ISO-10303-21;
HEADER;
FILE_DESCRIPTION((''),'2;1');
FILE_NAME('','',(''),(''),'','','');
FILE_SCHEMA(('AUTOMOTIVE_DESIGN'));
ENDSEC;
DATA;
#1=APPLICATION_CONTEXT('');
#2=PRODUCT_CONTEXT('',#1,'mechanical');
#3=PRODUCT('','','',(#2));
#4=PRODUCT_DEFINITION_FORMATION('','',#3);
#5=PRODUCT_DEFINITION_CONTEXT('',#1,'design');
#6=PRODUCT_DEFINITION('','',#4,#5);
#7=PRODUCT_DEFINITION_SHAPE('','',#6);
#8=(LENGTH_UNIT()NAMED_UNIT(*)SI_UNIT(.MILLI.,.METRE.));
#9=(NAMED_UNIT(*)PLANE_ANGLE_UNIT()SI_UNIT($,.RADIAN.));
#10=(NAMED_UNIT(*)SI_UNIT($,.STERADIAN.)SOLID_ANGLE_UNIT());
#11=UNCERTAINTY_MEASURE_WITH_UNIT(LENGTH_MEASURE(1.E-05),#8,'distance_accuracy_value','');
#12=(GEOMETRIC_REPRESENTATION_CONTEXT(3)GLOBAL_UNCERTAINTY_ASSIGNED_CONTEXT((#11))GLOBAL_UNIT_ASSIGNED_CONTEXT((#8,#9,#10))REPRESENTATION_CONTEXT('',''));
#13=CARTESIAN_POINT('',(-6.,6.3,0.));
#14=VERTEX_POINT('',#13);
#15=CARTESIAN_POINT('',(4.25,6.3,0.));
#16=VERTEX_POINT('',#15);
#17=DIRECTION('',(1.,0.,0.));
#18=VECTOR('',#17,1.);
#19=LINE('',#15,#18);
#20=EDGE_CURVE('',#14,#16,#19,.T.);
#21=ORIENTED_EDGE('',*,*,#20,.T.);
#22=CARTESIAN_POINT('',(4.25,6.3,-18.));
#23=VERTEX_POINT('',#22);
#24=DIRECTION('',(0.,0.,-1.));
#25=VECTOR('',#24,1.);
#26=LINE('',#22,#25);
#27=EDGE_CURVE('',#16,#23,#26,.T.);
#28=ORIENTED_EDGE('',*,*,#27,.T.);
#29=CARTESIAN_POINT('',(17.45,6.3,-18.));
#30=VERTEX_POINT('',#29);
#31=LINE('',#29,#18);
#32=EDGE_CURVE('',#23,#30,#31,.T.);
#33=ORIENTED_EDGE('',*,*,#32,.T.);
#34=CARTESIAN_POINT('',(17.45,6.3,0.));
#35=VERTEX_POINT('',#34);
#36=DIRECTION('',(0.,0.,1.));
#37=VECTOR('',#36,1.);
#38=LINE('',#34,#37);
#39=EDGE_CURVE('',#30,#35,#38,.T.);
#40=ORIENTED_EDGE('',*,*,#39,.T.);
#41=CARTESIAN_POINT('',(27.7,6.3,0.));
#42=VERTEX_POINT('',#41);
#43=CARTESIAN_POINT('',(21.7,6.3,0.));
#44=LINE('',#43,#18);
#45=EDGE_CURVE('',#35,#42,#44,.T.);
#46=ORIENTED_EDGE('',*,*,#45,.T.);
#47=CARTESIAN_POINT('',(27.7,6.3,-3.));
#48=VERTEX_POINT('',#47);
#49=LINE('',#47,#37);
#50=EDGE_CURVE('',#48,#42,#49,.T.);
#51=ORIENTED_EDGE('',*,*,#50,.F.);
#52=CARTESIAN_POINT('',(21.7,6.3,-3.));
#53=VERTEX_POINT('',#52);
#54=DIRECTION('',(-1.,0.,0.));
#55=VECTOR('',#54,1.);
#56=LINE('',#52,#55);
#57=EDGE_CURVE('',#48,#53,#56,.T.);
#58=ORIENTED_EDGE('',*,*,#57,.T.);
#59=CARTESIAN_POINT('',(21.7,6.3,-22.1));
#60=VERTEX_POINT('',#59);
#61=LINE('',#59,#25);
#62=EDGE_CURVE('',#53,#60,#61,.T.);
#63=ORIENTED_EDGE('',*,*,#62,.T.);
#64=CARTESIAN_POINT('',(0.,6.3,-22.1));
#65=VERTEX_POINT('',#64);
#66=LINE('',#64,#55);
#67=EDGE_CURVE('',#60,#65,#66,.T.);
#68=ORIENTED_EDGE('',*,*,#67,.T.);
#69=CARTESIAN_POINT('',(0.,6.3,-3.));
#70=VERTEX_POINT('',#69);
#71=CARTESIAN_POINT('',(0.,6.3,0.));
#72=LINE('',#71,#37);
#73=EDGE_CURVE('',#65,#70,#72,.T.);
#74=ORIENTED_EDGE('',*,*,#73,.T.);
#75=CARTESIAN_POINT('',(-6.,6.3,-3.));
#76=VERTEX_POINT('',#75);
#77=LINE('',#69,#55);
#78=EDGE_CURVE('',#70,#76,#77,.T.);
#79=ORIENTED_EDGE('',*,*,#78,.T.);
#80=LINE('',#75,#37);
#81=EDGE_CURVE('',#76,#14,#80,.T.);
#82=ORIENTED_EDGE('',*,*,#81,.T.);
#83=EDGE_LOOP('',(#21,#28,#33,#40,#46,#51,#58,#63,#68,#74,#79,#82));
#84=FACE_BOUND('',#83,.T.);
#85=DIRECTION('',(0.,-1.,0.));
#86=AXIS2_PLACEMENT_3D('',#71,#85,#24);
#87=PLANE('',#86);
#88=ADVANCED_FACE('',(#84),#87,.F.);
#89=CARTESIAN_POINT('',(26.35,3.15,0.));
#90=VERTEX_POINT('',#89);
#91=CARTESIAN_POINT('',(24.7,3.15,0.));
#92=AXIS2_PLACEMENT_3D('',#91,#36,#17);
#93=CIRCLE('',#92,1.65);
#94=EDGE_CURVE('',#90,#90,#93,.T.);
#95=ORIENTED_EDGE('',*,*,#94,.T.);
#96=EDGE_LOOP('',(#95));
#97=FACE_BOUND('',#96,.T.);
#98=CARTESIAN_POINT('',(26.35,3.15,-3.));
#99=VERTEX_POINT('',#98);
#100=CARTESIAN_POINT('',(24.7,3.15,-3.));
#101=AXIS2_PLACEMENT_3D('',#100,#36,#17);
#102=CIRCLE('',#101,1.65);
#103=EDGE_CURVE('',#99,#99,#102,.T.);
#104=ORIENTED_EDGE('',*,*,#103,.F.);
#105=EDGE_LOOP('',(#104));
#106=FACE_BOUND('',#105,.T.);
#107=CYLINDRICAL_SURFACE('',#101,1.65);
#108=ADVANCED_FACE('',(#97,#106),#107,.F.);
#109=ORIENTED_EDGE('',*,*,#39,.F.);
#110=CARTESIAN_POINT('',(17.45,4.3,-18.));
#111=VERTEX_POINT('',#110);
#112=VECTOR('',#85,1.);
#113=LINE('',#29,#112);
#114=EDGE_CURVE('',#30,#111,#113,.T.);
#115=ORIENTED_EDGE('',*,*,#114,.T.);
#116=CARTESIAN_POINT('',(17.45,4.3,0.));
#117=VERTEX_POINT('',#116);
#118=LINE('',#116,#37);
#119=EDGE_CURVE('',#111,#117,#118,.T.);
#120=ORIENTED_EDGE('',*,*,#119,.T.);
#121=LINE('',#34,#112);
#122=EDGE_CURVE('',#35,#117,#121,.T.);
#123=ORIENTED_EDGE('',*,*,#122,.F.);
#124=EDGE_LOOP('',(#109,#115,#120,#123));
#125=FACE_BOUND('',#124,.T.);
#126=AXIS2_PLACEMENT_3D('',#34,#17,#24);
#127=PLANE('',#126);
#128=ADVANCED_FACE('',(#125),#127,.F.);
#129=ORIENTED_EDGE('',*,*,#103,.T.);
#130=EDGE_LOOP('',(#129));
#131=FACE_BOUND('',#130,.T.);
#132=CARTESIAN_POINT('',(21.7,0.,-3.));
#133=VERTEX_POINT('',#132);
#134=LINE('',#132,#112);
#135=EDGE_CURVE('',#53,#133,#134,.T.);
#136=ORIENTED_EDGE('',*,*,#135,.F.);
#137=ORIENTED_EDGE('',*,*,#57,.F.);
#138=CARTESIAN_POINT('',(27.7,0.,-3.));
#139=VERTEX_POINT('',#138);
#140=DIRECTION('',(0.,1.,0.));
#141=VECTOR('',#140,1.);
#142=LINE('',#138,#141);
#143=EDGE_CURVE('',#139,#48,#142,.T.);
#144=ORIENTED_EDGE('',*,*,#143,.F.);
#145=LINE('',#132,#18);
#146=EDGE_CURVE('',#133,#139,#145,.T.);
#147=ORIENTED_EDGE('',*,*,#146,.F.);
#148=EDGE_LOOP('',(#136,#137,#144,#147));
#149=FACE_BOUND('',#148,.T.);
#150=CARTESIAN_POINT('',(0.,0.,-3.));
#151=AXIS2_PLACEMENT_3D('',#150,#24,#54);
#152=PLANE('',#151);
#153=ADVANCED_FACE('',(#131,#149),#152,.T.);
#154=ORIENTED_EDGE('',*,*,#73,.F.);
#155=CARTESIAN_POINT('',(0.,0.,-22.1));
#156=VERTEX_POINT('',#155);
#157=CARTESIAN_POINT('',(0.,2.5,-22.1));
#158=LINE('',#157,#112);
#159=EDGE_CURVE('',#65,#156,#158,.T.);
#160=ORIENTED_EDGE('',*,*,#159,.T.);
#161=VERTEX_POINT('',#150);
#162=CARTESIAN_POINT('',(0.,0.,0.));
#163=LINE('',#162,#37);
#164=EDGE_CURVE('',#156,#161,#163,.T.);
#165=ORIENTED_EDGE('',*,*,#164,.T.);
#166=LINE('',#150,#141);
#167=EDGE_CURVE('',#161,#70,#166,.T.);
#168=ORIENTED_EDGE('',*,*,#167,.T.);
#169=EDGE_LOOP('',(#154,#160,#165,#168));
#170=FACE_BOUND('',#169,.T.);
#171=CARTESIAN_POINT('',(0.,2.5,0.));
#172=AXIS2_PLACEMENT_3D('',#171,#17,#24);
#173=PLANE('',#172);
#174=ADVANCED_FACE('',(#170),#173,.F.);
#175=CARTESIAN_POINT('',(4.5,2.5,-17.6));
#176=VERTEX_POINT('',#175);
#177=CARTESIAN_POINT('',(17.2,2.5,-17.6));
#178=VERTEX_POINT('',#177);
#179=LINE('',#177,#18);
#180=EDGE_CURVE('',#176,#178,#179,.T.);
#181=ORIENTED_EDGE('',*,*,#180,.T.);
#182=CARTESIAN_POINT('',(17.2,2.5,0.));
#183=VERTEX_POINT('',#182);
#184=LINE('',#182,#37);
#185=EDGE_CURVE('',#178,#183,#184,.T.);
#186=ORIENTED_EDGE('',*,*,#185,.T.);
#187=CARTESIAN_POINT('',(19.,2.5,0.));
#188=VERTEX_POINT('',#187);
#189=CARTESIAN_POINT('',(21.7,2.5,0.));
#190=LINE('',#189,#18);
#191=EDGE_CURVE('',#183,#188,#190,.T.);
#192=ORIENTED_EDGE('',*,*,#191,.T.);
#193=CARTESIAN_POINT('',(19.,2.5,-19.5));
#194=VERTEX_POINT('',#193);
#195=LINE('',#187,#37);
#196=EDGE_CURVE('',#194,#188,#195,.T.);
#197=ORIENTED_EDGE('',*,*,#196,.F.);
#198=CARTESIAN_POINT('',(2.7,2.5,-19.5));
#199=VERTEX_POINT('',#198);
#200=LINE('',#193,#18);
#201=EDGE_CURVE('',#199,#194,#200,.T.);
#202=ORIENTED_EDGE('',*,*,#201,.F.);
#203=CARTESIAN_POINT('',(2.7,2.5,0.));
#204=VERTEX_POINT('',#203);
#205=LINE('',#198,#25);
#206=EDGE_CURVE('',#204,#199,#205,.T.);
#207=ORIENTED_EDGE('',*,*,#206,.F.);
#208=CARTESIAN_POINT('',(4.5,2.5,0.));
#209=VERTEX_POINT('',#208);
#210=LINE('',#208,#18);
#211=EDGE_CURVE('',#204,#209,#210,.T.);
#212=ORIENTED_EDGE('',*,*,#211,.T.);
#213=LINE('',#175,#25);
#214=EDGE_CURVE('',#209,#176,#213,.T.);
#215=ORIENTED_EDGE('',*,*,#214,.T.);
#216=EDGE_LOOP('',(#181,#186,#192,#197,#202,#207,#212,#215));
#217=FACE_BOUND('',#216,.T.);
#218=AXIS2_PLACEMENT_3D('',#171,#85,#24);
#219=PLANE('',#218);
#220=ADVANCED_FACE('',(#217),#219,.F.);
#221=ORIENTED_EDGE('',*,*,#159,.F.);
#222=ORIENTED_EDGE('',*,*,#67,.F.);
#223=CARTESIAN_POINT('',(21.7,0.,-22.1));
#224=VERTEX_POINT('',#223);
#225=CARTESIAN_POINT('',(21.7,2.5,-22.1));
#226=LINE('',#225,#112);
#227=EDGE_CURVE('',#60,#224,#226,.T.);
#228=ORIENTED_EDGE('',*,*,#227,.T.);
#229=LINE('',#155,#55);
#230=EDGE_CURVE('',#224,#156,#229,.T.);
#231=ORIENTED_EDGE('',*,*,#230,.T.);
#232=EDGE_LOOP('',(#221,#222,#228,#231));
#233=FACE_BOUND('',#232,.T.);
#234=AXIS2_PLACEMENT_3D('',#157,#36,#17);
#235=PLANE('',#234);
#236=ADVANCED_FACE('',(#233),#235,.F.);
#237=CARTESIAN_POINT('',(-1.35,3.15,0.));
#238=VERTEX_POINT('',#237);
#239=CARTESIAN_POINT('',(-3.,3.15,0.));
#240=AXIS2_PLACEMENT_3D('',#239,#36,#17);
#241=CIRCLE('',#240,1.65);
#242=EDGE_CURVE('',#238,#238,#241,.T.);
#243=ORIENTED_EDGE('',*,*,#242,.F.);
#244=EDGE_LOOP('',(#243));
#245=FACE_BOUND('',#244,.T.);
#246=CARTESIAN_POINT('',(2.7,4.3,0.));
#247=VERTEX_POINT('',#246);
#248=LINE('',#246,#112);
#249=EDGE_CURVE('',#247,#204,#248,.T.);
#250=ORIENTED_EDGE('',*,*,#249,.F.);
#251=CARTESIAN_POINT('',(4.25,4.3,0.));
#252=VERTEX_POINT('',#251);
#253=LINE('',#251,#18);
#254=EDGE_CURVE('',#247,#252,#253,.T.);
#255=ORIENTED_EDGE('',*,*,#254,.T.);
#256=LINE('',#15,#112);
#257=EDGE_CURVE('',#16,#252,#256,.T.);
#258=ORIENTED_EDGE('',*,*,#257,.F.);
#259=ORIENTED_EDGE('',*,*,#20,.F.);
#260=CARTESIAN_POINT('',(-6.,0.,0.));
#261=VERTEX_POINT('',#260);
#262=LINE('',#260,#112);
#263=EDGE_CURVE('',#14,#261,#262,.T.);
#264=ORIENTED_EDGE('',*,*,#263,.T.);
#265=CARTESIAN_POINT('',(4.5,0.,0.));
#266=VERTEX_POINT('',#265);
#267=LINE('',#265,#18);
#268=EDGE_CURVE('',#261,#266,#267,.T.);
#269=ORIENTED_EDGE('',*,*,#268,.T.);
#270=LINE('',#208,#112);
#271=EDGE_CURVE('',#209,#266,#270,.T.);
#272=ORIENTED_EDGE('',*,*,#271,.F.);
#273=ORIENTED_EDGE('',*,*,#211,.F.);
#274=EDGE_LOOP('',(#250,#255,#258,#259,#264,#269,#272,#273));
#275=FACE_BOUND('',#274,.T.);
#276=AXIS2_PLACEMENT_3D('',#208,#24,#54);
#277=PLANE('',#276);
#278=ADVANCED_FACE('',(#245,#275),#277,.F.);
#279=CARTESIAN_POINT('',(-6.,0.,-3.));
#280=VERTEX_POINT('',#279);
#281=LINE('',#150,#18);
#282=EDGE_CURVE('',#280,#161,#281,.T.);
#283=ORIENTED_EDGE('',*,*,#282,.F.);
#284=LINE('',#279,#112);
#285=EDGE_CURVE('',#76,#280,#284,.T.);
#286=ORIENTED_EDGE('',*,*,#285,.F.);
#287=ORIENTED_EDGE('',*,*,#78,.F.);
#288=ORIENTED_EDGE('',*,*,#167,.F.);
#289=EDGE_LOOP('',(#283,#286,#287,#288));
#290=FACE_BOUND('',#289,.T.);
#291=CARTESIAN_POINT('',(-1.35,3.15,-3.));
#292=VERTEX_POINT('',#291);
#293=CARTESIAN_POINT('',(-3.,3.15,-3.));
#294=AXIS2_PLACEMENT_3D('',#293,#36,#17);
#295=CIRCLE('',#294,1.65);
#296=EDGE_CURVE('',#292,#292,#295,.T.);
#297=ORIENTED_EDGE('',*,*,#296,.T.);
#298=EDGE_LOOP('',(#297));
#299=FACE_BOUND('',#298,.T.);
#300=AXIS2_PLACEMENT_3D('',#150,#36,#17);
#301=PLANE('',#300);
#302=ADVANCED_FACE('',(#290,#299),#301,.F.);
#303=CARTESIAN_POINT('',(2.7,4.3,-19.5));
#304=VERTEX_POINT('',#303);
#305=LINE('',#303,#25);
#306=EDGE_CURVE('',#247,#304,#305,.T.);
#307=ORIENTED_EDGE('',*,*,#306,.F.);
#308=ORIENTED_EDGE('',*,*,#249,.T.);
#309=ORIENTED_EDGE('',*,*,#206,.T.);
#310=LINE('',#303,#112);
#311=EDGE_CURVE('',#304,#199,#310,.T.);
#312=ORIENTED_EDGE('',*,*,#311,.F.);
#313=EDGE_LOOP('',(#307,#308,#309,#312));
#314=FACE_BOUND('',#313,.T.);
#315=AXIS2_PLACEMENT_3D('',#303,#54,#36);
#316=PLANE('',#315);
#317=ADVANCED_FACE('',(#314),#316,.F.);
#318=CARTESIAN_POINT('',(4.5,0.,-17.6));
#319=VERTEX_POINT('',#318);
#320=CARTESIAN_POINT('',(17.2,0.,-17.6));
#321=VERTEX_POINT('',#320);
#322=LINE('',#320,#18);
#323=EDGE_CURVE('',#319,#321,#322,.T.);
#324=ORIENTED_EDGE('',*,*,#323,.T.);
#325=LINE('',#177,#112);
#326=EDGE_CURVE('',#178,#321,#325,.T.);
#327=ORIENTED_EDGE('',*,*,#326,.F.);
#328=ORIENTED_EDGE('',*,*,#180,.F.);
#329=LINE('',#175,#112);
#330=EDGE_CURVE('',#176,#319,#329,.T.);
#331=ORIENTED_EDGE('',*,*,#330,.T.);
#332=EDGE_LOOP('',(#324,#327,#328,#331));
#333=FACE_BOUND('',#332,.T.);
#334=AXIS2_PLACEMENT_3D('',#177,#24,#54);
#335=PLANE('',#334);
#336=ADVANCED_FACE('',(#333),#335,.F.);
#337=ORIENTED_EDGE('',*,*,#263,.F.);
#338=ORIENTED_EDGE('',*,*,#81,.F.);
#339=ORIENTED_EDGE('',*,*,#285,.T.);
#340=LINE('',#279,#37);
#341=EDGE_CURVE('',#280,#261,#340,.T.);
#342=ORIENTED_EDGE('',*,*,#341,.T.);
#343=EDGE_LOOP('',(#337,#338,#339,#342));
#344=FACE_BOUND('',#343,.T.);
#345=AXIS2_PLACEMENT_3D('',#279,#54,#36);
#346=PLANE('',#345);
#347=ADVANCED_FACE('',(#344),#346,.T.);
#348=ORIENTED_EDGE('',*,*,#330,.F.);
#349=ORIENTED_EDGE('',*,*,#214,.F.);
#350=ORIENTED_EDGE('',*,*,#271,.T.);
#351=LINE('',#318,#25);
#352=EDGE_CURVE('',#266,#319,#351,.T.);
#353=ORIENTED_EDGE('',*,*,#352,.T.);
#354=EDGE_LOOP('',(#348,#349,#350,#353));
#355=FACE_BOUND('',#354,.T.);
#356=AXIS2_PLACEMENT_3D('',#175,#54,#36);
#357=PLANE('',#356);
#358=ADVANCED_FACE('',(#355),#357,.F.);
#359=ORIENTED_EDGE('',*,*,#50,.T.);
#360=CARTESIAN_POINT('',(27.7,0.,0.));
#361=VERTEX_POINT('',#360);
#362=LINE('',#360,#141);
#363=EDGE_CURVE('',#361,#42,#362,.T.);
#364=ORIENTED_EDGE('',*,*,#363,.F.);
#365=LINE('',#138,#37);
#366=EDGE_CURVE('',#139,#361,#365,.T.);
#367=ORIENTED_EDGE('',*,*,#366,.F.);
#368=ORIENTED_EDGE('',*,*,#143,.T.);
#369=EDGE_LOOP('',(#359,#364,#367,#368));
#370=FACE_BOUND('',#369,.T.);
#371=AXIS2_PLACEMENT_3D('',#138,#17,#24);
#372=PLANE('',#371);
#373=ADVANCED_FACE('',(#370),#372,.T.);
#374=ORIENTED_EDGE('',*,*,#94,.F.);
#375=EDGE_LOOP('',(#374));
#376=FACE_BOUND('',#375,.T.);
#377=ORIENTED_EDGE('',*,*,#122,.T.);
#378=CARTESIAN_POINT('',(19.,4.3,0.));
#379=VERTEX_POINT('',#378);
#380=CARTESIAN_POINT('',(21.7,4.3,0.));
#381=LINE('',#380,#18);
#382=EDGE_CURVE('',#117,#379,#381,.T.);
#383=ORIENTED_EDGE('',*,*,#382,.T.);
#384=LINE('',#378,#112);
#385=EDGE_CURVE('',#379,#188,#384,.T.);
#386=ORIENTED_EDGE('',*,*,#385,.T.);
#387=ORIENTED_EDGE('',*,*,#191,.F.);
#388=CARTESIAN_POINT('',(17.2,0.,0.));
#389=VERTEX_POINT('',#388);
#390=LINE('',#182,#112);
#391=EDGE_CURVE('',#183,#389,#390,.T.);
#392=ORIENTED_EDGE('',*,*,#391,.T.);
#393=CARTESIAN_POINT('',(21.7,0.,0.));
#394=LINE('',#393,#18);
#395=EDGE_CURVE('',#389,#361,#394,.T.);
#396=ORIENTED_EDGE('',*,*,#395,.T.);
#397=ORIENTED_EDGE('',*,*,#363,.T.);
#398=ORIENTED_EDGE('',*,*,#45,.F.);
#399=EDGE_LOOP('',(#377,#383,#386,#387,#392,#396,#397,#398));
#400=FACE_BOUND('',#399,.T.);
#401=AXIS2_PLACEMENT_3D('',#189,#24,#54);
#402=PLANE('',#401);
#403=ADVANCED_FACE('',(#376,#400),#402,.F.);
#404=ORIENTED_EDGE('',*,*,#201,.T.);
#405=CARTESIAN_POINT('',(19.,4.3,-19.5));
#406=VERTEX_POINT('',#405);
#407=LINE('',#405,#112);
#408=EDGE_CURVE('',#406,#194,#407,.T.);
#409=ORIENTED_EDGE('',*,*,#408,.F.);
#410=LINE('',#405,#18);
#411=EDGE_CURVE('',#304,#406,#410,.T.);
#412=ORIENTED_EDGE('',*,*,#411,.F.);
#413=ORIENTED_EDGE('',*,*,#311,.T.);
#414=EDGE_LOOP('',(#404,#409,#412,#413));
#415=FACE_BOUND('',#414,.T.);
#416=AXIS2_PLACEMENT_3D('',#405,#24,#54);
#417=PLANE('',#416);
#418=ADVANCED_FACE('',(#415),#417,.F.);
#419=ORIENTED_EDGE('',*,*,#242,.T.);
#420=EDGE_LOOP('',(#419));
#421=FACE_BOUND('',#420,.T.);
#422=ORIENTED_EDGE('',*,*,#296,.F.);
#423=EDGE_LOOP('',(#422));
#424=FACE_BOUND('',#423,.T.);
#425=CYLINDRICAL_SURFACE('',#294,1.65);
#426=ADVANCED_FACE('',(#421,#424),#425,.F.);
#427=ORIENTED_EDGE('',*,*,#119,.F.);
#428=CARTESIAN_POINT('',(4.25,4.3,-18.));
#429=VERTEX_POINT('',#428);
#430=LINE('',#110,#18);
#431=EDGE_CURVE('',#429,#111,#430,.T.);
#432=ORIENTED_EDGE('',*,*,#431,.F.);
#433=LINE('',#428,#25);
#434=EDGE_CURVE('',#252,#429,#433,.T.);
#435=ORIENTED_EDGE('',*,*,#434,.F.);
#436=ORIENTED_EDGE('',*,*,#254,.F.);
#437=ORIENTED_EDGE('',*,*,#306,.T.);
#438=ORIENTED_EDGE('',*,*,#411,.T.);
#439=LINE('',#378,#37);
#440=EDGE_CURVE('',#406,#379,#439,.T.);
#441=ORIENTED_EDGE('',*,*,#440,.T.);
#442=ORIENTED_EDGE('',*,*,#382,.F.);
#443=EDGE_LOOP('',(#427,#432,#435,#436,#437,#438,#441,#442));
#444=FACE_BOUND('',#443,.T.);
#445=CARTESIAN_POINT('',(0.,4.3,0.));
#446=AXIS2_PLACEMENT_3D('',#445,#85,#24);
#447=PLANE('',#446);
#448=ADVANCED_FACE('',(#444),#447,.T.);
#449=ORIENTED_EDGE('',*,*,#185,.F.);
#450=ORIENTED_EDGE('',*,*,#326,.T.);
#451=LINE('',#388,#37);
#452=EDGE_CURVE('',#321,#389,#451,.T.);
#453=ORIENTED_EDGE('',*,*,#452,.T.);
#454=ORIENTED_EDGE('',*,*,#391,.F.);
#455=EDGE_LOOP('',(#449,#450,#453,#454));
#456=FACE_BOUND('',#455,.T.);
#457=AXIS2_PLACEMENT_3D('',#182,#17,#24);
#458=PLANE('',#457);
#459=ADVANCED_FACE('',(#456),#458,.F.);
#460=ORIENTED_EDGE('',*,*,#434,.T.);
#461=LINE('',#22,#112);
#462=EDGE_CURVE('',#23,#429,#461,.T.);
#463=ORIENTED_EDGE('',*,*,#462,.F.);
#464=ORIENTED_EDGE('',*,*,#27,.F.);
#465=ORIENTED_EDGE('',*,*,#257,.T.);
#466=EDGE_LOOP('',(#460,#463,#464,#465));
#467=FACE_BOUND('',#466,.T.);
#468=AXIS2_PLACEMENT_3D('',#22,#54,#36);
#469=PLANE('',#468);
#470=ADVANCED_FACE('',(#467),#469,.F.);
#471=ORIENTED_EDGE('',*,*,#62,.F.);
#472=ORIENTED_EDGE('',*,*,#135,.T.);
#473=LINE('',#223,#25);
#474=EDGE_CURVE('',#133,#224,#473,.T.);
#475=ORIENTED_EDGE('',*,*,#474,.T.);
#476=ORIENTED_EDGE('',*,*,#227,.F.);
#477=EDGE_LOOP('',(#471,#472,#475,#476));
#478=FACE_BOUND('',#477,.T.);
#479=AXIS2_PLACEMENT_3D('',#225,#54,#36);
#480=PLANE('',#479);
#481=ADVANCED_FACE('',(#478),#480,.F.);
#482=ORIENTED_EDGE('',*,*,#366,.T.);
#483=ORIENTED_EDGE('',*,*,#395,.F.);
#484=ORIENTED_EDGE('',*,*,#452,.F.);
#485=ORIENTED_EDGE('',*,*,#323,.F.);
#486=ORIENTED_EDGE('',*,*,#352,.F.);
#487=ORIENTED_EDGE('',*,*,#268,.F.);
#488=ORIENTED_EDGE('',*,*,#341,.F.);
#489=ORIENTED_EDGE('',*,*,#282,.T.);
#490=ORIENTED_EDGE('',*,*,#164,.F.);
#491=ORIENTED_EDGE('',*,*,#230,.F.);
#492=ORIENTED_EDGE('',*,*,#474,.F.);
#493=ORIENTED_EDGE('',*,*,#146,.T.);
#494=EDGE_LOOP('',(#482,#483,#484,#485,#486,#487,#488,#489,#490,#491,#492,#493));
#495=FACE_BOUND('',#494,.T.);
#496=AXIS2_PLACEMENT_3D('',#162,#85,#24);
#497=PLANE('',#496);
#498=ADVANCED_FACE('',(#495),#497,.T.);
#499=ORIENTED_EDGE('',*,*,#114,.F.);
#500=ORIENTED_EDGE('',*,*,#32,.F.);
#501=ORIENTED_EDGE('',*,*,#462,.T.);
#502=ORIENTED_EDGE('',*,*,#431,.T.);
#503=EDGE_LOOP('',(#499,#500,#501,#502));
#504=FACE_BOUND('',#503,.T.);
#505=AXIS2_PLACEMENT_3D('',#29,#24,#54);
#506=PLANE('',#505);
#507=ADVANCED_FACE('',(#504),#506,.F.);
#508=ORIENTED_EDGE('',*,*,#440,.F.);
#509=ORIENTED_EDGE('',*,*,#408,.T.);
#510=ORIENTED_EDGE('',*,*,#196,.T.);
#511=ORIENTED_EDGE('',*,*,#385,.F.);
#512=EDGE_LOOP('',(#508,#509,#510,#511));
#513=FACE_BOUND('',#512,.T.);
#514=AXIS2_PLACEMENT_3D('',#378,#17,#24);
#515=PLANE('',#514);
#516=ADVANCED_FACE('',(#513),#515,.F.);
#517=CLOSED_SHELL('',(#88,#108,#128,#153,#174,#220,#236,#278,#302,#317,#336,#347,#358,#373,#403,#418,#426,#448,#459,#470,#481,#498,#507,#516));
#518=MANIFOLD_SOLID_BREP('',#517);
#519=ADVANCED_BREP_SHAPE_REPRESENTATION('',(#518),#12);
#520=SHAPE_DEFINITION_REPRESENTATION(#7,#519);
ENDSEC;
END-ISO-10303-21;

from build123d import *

# Parameters (mm, degrees)
BOSS_EXTRUDE2_DEPTH = 2.5
BOSS_EXTRUDE3_DEPTH = 1.8
BOSS_EXTRUDE4_DEPTH = 2
SKETCH6_W           = 6
SKETCH6_H           = 6.3
SKETCH6_R           = 1.65
BOSS_EXTRUDE6_DEPTH = 3


with BuildPart() as part:
    # Sketch1 → Boss-Extrude2 (new body)
    with BuildSketch(Plane(origin=(0, 0, 0), x_dir=(1, 0, 0), z_dir=(0, 1, 0))):
        Polygon((0, 0), (0, 22.1), (21.7, 22.1), (21.7, 0), (17.2, 0), (17.2, 17.6), (4.5, 17.6), (4.5, 0), align=None)
    extrude(amount=BOSS_EXTRUDE2_DEPTH)

    # Sketch3 → Boss-Extrude3 (add)
    with BuildSketch(Plane(origin=(0, 2.5, 0), x_dir=(1, 0, 0), z_dir=(0, 1, 0))):
        Polygon((0, 0), (0, 22.1), (21.7, 22.1), (21.7, 0), (19, 0), (19, 19.5), (2.7, 19.5), (2.7, 0), align=None)
    extrude(amount=BOSS_EXTRUDE3_DEPTH)

    # Sketch4 → Boss-Extrude4 (add)
    with BuildSketch(Plane(origin=(0, 4.3, 0), x_dir=(1, 0, 0), z_dir=(0, 1, 0))):
        Polygon((0, 0), (0, 22.1), (21.7, 22.1), (21.7, 0), (17.45, 0), (17.45, 18), (4.25, 18), (4.25, 0), align=None)
    extrude(amount=BOSS_EXTRUDE4_DEPTH)

    # Sketch6 → Boss-Extrude6 (add)
    with BuildSketch(Plane.XY):
        with Locations((-3, 3.15)):
            Rectangle(SKETCH6_W, SKETCH6_H)
        with Locations((-3, 3.15)):
            Circle(SKETCH6_R, mode=Mode.SUBTRACT)
        with Locations((24.7, 3.15)):
            Rectangle(SKETCH6_W, SKETCH6_H)
        with Locations((24.7, 3.15)):
            Circle(SKETCH6_R, mode=Mode.SUBTRACT)
    extrude(amount=-BOSS_EXTRUDE6_DEPTH)


solid = part.part
